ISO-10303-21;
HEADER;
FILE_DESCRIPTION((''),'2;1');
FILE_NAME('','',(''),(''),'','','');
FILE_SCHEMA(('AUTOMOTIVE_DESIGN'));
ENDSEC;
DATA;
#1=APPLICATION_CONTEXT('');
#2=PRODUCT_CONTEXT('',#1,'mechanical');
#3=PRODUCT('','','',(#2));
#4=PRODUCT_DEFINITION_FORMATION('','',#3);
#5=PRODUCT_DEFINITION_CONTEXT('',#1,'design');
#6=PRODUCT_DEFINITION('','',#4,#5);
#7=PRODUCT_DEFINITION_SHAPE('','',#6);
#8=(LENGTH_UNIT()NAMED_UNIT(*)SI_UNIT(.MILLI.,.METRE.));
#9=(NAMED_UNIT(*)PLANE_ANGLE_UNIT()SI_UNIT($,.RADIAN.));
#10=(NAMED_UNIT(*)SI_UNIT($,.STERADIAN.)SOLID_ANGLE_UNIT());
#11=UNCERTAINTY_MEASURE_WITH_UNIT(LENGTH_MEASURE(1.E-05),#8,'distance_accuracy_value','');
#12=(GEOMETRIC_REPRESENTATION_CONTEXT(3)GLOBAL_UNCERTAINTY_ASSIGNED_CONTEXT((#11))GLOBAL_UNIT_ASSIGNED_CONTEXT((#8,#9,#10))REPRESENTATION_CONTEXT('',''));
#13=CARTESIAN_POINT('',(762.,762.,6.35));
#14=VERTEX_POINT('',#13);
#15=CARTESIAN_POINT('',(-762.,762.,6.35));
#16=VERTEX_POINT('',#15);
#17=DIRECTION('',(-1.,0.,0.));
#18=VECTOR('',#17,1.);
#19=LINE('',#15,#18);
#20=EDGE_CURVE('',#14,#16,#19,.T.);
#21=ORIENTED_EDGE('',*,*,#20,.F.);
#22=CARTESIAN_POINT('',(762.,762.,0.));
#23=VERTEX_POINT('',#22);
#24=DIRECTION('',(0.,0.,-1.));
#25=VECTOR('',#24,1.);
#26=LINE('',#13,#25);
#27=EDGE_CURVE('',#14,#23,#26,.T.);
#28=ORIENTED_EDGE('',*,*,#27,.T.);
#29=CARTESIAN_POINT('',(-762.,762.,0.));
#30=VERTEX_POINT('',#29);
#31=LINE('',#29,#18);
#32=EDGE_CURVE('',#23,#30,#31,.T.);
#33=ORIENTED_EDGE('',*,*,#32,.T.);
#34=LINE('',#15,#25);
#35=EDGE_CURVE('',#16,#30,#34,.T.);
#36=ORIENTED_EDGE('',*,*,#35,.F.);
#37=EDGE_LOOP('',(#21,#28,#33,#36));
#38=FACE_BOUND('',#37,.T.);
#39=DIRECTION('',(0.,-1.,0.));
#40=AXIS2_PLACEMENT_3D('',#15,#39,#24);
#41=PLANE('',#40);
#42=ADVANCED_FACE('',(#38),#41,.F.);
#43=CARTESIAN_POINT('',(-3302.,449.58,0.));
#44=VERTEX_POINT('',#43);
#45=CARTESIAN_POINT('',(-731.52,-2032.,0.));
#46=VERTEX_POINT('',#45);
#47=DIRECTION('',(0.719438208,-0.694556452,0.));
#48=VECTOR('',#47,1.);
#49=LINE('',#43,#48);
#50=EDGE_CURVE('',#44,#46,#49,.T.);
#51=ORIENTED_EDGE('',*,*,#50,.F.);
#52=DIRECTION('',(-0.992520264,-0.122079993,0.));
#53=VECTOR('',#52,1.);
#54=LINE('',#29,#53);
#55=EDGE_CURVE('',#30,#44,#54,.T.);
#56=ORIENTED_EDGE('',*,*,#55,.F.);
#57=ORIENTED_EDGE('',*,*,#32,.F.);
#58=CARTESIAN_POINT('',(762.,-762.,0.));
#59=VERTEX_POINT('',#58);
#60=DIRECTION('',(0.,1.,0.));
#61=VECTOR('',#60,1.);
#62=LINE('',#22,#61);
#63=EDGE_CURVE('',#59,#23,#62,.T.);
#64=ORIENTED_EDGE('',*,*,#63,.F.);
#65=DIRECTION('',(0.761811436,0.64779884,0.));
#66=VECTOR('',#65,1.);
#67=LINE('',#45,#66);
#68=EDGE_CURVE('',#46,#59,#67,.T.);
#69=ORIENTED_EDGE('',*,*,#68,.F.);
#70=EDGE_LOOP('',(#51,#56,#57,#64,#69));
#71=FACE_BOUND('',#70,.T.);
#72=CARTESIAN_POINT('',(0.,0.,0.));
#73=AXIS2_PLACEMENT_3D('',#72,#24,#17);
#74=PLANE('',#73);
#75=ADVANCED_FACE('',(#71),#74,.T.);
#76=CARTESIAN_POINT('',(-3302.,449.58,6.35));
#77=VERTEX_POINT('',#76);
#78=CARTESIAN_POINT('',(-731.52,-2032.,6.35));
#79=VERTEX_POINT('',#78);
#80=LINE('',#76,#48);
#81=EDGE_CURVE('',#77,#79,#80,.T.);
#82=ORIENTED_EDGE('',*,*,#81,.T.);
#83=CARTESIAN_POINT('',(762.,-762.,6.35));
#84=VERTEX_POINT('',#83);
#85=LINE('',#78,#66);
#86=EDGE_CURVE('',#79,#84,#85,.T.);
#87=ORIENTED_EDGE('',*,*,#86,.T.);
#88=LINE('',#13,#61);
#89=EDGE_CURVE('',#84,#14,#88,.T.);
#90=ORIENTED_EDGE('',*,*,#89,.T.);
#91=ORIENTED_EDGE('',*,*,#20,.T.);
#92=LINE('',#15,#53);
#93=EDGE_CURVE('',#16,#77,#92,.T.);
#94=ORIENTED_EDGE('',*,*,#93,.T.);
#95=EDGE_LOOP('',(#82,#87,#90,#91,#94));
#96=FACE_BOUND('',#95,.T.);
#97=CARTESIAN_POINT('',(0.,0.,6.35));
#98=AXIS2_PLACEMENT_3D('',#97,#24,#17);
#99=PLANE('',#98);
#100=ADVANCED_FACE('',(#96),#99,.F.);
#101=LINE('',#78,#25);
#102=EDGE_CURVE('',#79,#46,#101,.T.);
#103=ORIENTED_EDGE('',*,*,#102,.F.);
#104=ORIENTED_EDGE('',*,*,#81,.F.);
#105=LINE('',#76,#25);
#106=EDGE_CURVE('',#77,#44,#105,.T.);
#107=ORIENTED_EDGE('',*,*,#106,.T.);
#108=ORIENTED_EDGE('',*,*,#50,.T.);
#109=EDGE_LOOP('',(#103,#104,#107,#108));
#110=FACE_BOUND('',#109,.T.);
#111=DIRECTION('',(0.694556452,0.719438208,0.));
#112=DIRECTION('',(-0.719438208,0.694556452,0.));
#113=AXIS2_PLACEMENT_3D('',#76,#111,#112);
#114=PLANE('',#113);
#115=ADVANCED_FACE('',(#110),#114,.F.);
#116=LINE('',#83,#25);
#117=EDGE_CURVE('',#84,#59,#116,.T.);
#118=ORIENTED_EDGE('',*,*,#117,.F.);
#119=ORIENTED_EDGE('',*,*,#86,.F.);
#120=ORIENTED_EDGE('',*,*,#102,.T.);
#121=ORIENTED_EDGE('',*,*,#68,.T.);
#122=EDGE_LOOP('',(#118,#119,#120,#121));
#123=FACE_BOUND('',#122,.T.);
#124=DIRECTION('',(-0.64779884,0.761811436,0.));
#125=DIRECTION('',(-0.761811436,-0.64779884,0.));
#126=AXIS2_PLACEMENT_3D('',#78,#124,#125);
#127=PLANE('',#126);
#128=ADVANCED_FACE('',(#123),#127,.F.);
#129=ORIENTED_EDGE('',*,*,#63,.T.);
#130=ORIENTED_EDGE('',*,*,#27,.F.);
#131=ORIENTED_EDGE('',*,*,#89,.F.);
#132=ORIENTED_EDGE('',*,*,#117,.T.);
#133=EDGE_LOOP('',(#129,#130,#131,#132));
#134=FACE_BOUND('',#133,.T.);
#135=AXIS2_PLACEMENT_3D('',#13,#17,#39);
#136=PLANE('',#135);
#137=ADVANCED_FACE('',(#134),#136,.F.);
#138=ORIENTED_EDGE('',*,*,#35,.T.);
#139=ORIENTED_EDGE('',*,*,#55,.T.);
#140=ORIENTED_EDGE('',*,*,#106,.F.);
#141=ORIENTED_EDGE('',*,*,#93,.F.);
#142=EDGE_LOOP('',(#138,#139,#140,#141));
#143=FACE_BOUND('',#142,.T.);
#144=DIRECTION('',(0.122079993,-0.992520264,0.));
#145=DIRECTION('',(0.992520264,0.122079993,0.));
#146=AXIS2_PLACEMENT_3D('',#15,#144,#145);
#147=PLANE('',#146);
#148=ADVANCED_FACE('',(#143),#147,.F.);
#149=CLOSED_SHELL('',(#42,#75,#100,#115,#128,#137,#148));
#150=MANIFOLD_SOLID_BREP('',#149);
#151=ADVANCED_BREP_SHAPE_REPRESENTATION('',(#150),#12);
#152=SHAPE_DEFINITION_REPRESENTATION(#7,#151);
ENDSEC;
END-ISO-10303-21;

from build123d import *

# Parameters (mm, degrees)
BOSS_EXTRUDE1_DEPTH = 6.35


with BuildPart() as part:
    # Sketch1 → Boss-Extrude1 (new body)
    with BuildSketch(Plane.XY):
        Polygon((-762, 762), (762, 762), (762, -762), (-731.52, -2032), (-3302, 449.58), align=None)
    extrude(amount=BOSS_EXTRUDE1_DEPTH)


solid = part.part
